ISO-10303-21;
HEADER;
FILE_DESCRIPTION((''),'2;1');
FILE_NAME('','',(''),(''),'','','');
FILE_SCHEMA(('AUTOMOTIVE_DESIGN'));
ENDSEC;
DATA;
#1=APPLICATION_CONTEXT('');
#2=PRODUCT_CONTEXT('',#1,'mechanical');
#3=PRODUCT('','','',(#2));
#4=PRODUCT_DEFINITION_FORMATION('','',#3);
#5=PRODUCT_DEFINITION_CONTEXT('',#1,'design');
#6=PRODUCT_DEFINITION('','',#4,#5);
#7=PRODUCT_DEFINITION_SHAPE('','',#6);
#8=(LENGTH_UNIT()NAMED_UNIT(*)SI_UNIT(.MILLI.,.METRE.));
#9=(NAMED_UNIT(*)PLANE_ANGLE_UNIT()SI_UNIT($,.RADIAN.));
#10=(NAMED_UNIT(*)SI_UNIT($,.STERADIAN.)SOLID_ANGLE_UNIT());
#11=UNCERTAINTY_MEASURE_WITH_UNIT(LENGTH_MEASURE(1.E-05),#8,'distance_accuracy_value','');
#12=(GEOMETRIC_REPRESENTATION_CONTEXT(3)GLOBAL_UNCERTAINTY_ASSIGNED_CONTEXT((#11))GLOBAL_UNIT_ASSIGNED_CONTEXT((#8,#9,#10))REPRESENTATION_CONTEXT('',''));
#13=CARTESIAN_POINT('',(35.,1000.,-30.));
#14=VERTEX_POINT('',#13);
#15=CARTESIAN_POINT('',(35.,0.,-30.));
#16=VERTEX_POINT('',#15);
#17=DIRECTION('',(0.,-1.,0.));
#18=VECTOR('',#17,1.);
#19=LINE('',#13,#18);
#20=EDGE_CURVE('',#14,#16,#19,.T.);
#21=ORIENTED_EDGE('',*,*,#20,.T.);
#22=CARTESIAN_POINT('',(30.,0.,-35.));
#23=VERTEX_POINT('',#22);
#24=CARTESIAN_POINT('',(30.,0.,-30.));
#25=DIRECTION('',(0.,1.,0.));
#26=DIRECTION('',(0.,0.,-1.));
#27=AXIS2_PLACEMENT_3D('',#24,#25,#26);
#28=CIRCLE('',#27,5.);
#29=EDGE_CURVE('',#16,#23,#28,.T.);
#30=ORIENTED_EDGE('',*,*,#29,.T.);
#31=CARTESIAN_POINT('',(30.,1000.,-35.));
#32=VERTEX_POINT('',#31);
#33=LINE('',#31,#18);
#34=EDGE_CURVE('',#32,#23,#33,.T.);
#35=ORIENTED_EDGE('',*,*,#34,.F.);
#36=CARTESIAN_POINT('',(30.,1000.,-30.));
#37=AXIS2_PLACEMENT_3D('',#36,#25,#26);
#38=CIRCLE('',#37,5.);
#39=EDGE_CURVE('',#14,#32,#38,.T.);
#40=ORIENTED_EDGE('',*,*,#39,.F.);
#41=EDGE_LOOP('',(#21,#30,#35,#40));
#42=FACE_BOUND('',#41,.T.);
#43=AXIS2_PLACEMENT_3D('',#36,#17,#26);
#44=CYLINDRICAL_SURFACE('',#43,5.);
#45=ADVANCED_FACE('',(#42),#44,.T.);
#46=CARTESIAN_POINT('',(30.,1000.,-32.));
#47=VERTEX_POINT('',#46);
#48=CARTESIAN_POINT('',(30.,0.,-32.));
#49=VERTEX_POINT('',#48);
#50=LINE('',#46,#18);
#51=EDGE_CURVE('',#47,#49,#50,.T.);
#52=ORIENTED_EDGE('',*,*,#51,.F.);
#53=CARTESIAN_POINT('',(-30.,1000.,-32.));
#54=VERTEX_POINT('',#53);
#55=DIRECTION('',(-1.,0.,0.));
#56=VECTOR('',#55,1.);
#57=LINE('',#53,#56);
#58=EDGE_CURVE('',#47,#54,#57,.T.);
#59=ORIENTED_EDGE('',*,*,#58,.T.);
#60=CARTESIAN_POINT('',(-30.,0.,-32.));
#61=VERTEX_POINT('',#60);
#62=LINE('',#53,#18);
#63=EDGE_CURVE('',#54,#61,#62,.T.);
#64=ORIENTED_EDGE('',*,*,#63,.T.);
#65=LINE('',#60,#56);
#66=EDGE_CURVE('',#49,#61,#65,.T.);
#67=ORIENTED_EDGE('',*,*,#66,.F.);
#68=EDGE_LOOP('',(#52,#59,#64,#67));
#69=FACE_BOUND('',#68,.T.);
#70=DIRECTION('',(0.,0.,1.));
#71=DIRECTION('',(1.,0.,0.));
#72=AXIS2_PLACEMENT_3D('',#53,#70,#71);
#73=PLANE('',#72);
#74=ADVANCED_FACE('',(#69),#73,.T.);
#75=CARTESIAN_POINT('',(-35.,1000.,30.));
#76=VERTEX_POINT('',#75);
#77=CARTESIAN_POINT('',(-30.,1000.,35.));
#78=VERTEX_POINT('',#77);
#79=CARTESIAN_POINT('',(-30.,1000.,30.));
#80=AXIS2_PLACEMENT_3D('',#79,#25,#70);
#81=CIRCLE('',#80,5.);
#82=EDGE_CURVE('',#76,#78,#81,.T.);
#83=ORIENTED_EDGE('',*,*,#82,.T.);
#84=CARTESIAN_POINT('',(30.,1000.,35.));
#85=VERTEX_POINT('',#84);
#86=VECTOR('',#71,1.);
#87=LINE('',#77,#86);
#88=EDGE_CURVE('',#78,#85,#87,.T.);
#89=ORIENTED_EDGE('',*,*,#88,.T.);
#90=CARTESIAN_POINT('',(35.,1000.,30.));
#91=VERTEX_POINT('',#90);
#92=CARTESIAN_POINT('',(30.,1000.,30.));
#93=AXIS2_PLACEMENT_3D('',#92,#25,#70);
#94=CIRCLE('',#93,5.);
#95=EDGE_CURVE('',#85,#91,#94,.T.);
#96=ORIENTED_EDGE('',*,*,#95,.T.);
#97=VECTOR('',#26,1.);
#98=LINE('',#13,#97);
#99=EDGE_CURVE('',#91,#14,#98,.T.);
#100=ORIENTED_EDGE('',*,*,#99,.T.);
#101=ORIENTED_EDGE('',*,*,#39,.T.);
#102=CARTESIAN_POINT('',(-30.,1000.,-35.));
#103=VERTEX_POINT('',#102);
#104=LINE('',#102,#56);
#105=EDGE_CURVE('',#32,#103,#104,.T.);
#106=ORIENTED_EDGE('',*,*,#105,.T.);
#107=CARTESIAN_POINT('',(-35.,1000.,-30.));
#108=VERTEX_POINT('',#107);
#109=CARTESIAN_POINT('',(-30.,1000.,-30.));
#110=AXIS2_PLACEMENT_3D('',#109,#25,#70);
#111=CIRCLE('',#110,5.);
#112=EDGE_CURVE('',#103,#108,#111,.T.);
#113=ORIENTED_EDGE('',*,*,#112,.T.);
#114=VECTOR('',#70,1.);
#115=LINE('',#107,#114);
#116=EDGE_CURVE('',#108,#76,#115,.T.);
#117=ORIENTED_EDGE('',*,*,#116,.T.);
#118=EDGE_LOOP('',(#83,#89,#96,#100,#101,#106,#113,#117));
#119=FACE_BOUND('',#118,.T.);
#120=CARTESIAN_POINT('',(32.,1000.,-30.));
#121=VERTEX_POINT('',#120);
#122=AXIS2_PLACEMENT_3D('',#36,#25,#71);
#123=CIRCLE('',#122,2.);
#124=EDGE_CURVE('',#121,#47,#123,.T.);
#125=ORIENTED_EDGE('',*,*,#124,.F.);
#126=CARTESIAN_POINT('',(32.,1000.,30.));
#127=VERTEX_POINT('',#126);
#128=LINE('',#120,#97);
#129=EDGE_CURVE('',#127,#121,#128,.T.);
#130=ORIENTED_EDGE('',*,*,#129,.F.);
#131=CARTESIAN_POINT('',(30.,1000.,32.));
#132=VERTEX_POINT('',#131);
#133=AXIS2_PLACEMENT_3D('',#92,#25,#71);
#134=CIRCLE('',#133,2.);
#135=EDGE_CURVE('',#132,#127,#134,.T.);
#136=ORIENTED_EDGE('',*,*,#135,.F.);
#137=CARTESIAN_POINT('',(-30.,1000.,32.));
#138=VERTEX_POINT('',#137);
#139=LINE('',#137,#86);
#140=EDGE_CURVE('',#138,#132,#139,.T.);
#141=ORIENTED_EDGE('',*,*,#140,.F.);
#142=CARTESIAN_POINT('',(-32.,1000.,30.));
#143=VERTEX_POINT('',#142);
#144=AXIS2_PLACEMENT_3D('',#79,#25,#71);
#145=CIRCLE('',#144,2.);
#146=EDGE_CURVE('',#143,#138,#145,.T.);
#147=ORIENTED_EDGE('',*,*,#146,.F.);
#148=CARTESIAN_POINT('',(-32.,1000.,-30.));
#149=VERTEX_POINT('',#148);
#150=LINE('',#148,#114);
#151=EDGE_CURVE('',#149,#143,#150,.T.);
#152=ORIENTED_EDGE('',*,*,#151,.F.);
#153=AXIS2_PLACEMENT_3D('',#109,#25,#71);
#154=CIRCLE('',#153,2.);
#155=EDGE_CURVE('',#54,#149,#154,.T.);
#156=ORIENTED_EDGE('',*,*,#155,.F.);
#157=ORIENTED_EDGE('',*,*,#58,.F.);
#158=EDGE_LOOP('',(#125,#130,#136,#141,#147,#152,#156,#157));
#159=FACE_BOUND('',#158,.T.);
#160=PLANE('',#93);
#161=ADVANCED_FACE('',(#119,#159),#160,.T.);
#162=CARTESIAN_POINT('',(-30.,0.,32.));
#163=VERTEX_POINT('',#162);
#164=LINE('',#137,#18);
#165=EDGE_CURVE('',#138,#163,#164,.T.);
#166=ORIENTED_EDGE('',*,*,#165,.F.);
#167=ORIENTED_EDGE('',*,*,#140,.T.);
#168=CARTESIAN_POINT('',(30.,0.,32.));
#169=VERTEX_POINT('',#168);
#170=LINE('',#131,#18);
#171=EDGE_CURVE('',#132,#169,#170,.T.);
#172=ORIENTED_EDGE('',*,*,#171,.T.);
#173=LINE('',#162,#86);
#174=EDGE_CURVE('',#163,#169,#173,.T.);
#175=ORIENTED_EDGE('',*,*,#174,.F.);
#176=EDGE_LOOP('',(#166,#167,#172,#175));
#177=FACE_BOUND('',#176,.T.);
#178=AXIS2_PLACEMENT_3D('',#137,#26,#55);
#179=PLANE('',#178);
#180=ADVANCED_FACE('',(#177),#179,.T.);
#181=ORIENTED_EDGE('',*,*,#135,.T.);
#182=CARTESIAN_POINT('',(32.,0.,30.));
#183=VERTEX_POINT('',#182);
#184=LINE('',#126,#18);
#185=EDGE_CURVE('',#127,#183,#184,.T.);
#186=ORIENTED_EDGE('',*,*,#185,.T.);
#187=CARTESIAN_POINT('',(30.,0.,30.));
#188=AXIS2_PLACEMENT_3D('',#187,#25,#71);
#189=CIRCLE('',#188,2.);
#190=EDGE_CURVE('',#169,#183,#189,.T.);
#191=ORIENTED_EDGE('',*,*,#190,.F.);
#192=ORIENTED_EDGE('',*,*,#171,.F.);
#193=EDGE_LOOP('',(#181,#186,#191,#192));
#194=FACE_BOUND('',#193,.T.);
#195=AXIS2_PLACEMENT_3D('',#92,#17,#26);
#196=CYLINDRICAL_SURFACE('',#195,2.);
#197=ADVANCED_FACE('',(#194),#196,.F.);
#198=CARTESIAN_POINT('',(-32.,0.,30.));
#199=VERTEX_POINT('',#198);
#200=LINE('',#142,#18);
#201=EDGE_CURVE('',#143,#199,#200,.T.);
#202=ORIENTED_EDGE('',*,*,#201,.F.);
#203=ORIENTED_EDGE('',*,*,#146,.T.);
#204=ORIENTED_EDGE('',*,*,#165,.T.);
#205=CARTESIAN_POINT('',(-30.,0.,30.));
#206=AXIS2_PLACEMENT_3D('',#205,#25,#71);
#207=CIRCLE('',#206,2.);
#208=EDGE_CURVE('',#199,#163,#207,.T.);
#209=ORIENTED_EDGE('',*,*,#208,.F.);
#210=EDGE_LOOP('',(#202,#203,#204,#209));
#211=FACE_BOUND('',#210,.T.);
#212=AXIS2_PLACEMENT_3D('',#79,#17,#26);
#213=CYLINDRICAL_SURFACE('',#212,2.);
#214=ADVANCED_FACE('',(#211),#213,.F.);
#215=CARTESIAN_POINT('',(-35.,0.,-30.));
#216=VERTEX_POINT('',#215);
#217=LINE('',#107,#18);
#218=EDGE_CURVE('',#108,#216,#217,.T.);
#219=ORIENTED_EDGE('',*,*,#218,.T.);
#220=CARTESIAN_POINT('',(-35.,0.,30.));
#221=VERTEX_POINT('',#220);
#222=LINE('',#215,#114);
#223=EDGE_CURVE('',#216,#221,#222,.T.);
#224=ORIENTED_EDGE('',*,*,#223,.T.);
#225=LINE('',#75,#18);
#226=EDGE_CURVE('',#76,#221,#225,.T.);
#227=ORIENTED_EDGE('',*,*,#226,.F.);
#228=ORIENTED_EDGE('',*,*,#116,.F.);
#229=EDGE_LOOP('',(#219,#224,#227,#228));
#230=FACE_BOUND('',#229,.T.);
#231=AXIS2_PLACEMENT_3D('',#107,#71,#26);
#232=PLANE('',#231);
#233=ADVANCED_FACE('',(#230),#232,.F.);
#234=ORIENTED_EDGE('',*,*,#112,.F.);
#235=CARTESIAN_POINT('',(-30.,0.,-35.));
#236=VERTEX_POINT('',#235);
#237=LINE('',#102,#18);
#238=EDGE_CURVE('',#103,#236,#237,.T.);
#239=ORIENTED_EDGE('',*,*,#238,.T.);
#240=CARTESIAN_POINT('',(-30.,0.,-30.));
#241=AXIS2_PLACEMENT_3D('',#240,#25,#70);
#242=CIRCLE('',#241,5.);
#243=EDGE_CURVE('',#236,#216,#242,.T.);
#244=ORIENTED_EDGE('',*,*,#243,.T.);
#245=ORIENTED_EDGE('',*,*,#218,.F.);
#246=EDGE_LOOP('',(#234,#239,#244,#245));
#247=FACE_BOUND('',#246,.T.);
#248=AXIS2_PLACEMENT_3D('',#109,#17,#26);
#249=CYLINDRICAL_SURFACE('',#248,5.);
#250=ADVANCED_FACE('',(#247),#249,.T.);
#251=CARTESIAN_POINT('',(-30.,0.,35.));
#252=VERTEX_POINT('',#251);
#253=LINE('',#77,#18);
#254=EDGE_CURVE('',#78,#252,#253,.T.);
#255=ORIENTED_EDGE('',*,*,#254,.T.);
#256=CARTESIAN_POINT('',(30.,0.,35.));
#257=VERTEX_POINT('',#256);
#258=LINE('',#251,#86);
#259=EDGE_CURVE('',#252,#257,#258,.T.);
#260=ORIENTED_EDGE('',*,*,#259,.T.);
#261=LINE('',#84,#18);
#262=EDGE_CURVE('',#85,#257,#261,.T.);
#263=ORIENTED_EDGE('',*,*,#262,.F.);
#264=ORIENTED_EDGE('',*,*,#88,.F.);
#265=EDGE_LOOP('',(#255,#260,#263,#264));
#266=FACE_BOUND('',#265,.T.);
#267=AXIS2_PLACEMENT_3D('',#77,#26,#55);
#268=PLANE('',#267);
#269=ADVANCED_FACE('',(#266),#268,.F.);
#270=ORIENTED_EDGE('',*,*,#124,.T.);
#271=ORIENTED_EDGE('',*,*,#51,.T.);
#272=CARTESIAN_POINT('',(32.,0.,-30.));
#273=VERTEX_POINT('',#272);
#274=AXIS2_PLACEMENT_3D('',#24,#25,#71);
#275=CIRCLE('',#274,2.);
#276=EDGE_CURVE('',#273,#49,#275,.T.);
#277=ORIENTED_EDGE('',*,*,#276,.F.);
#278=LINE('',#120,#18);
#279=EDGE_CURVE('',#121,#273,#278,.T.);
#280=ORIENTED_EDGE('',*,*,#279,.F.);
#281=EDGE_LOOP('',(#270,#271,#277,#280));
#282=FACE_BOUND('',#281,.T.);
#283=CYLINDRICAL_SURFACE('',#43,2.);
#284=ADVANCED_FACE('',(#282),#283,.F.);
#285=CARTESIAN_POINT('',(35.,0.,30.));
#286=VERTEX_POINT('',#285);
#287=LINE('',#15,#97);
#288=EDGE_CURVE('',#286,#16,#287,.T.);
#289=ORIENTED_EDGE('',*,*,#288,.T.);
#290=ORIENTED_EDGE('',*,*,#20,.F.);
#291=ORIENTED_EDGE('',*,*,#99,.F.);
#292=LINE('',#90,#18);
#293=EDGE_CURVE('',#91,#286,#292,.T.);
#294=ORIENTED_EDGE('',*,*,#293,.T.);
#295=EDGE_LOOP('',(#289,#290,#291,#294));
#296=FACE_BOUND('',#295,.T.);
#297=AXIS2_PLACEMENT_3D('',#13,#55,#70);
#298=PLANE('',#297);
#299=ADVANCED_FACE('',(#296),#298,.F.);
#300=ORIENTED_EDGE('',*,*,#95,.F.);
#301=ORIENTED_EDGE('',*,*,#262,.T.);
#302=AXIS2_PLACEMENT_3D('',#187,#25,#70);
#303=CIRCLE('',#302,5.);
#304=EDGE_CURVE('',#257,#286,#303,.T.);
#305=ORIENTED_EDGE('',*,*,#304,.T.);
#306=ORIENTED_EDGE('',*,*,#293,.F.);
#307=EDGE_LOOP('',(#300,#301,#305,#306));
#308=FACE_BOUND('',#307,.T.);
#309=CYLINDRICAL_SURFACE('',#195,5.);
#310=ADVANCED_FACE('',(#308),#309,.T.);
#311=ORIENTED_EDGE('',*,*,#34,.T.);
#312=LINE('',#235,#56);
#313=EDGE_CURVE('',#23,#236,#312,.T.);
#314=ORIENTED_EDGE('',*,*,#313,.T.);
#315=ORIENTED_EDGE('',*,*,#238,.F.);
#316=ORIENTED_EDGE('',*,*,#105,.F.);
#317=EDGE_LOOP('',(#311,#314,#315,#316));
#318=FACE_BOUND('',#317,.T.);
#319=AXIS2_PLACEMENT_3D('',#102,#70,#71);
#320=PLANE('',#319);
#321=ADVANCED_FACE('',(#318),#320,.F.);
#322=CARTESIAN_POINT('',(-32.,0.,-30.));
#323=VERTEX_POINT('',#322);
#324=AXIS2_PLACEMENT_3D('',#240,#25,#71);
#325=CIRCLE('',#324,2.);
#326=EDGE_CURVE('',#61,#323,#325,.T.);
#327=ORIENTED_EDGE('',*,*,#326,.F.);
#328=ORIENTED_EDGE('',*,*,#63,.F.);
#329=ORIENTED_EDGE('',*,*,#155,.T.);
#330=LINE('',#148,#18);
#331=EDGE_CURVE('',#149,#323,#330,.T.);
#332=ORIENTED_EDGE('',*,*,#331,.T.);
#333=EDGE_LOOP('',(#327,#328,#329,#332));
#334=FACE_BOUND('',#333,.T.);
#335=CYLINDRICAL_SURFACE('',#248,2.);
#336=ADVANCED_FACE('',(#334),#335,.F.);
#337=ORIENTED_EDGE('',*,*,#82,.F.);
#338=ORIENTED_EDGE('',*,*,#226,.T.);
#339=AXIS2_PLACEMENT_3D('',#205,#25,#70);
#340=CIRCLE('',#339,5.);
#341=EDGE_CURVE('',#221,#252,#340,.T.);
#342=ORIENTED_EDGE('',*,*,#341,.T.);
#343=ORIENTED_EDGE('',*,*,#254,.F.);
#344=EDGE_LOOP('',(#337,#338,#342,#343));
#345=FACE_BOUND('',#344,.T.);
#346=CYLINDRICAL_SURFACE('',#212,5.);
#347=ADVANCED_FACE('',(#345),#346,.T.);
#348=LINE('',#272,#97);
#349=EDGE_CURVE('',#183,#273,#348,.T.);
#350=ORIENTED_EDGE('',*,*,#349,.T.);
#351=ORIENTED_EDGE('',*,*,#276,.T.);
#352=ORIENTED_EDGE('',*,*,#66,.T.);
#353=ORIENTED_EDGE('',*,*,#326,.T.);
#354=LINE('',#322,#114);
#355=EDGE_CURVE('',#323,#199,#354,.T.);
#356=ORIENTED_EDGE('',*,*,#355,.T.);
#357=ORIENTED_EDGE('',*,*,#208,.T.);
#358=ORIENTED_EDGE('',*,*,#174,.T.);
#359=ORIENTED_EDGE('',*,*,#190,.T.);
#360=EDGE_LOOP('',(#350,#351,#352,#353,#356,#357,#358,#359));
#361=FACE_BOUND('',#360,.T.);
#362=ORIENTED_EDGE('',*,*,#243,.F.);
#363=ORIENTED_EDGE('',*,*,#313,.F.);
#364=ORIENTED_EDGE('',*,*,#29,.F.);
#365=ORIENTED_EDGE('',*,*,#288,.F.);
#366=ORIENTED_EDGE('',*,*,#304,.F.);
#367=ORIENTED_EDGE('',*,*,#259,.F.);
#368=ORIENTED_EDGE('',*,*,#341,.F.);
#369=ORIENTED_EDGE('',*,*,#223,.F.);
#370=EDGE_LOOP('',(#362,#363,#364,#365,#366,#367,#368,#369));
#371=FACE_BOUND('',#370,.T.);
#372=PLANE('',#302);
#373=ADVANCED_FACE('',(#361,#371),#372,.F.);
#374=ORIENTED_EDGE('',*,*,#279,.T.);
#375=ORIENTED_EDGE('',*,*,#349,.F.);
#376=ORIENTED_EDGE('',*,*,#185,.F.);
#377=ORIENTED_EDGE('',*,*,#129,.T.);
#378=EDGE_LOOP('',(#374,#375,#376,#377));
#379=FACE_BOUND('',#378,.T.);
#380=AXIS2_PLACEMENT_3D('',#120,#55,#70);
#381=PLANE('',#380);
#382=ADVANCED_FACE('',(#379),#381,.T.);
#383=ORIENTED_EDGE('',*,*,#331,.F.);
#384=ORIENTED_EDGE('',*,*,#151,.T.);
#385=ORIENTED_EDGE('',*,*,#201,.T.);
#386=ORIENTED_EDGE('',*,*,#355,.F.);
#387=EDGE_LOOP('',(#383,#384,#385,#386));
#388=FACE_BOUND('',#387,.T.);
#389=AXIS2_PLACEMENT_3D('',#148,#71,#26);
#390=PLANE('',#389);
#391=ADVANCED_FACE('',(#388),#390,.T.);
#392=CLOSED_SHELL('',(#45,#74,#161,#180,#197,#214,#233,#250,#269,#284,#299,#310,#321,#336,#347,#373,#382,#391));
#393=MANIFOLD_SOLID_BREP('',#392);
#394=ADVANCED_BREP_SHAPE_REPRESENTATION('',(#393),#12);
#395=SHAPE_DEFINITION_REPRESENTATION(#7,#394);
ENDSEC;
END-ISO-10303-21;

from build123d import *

# Parameters (mm, degrees)
EXTRUDE_1_DEPTH = 1000


with BuildPart() as part:
    # Эскиз1 → Вытянуть-Тонкостенный1 (new body)
    with BuildSketch(Plane(origin=(0, 0, 0), x_dir=(1, 0, 0), z_dir=(0, 1, 0))):
        with BuildLine():
            Line((-35, -30), (-35, 30))
            ThreePointArc((-35, 30), (-33.535533906, 33.535533906), (-30, 35))
            Line((-30, 35), (30, 35))
            ThreePointArc((30, 35), (33.535533906, 33.535533906), (35, 30))
            Line((35, 30), (35, -30))
            ThreePointArc((35, -30), (33.535533906, -33.535533906), (30, -35))
            Line((30, -35), (-30, -35))
            ThreePointArc((-30, -35), (-33.535533906, -33.535533906), (-35, -30))
        make_face()
        with BuildLine():
            Line((-32, -30), (-32, 30))
            ThreePointArc((-32, 30), (-31.414213562, 31.414213562), (-30, 32))
            Line((-30, 32), (30, 32))
            ThreePointArc((30, 32), (31.414213562, 31.414213562), (32, 30))
            Line((32, 30), (32, -30))
            ThreePointArc((32, -30), (31.414213562, -31.414213562), (30, -32))
            Line((30, -32), (-30, -32))
            ThreePointArc((-30, -32), (-31.414213562, -31.414213562), (-32, -30))
        make_face(mode=Mode.SUBTRACT)
    extrude(amount=EXTRUDE_1_DEPTH)


solid = part.part
